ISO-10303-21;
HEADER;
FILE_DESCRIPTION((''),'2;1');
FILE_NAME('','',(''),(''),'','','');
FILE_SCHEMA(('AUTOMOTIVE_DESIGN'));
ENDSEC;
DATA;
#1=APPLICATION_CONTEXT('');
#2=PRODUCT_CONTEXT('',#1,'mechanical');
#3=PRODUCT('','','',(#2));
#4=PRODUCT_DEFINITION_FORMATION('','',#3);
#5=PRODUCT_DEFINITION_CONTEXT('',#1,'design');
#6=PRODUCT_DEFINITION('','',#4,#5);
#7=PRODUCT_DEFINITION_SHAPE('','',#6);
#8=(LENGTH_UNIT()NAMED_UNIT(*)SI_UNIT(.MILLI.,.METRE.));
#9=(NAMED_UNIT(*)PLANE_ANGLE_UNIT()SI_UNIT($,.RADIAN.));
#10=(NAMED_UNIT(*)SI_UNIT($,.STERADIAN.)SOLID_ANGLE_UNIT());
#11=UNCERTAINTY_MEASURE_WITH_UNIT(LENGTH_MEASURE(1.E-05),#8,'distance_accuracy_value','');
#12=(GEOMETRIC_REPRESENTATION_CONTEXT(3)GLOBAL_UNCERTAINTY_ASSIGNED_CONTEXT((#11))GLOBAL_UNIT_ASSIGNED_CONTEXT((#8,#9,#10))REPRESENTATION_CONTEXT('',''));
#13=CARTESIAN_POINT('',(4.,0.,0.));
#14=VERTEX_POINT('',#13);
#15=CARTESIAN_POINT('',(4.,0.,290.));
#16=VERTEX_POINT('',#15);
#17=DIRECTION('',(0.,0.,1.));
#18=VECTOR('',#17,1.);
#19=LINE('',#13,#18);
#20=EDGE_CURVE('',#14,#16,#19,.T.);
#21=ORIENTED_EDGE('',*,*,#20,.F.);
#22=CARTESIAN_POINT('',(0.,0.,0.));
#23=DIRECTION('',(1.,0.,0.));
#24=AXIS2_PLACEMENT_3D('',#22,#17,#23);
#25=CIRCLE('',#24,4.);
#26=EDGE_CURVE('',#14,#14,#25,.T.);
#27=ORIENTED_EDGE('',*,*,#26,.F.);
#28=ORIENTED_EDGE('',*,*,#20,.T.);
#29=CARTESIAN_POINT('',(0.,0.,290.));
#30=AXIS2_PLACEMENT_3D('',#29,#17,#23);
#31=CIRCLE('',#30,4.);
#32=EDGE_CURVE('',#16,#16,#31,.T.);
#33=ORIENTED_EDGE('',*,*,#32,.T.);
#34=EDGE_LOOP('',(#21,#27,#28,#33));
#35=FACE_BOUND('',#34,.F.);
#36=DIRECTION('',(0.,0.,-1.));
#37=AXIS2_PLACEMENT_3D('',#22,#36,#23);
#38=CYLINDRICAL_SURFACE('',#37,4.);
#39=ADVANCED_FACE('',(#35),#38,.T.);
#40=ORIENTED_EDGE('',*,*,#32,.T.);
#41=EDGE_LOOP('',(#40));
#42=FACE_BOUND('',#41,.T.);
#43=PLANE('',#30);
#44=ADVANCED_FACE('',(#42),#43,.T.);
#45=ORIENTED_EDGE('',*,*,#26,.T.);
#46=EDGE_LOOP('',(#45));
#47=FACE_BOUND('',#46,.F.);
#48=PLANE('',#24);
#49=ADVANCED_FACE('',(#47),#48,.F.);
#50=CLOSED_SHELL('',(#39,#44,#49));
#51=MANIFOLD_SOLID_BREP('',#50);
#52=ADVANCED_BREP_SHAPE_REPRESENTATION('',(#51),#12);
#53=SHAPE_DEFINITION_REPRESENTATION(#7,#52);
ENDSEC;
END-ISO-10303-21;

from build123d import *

# Parameters (mm, degrees)
ESQUISSE1_R        = 4
BOSS_EXTRU_1_DEPTH = 290


with BuildPart() as part:
    # Esquisse1 → Boss.-Extru.1 (new body)
    with BuildSketch(Plane.XY):
        Circle(ESQUISSE1_R)
    extrude(amount=BOSS_EXTRU_1_DEPTH)


solid = part.part
